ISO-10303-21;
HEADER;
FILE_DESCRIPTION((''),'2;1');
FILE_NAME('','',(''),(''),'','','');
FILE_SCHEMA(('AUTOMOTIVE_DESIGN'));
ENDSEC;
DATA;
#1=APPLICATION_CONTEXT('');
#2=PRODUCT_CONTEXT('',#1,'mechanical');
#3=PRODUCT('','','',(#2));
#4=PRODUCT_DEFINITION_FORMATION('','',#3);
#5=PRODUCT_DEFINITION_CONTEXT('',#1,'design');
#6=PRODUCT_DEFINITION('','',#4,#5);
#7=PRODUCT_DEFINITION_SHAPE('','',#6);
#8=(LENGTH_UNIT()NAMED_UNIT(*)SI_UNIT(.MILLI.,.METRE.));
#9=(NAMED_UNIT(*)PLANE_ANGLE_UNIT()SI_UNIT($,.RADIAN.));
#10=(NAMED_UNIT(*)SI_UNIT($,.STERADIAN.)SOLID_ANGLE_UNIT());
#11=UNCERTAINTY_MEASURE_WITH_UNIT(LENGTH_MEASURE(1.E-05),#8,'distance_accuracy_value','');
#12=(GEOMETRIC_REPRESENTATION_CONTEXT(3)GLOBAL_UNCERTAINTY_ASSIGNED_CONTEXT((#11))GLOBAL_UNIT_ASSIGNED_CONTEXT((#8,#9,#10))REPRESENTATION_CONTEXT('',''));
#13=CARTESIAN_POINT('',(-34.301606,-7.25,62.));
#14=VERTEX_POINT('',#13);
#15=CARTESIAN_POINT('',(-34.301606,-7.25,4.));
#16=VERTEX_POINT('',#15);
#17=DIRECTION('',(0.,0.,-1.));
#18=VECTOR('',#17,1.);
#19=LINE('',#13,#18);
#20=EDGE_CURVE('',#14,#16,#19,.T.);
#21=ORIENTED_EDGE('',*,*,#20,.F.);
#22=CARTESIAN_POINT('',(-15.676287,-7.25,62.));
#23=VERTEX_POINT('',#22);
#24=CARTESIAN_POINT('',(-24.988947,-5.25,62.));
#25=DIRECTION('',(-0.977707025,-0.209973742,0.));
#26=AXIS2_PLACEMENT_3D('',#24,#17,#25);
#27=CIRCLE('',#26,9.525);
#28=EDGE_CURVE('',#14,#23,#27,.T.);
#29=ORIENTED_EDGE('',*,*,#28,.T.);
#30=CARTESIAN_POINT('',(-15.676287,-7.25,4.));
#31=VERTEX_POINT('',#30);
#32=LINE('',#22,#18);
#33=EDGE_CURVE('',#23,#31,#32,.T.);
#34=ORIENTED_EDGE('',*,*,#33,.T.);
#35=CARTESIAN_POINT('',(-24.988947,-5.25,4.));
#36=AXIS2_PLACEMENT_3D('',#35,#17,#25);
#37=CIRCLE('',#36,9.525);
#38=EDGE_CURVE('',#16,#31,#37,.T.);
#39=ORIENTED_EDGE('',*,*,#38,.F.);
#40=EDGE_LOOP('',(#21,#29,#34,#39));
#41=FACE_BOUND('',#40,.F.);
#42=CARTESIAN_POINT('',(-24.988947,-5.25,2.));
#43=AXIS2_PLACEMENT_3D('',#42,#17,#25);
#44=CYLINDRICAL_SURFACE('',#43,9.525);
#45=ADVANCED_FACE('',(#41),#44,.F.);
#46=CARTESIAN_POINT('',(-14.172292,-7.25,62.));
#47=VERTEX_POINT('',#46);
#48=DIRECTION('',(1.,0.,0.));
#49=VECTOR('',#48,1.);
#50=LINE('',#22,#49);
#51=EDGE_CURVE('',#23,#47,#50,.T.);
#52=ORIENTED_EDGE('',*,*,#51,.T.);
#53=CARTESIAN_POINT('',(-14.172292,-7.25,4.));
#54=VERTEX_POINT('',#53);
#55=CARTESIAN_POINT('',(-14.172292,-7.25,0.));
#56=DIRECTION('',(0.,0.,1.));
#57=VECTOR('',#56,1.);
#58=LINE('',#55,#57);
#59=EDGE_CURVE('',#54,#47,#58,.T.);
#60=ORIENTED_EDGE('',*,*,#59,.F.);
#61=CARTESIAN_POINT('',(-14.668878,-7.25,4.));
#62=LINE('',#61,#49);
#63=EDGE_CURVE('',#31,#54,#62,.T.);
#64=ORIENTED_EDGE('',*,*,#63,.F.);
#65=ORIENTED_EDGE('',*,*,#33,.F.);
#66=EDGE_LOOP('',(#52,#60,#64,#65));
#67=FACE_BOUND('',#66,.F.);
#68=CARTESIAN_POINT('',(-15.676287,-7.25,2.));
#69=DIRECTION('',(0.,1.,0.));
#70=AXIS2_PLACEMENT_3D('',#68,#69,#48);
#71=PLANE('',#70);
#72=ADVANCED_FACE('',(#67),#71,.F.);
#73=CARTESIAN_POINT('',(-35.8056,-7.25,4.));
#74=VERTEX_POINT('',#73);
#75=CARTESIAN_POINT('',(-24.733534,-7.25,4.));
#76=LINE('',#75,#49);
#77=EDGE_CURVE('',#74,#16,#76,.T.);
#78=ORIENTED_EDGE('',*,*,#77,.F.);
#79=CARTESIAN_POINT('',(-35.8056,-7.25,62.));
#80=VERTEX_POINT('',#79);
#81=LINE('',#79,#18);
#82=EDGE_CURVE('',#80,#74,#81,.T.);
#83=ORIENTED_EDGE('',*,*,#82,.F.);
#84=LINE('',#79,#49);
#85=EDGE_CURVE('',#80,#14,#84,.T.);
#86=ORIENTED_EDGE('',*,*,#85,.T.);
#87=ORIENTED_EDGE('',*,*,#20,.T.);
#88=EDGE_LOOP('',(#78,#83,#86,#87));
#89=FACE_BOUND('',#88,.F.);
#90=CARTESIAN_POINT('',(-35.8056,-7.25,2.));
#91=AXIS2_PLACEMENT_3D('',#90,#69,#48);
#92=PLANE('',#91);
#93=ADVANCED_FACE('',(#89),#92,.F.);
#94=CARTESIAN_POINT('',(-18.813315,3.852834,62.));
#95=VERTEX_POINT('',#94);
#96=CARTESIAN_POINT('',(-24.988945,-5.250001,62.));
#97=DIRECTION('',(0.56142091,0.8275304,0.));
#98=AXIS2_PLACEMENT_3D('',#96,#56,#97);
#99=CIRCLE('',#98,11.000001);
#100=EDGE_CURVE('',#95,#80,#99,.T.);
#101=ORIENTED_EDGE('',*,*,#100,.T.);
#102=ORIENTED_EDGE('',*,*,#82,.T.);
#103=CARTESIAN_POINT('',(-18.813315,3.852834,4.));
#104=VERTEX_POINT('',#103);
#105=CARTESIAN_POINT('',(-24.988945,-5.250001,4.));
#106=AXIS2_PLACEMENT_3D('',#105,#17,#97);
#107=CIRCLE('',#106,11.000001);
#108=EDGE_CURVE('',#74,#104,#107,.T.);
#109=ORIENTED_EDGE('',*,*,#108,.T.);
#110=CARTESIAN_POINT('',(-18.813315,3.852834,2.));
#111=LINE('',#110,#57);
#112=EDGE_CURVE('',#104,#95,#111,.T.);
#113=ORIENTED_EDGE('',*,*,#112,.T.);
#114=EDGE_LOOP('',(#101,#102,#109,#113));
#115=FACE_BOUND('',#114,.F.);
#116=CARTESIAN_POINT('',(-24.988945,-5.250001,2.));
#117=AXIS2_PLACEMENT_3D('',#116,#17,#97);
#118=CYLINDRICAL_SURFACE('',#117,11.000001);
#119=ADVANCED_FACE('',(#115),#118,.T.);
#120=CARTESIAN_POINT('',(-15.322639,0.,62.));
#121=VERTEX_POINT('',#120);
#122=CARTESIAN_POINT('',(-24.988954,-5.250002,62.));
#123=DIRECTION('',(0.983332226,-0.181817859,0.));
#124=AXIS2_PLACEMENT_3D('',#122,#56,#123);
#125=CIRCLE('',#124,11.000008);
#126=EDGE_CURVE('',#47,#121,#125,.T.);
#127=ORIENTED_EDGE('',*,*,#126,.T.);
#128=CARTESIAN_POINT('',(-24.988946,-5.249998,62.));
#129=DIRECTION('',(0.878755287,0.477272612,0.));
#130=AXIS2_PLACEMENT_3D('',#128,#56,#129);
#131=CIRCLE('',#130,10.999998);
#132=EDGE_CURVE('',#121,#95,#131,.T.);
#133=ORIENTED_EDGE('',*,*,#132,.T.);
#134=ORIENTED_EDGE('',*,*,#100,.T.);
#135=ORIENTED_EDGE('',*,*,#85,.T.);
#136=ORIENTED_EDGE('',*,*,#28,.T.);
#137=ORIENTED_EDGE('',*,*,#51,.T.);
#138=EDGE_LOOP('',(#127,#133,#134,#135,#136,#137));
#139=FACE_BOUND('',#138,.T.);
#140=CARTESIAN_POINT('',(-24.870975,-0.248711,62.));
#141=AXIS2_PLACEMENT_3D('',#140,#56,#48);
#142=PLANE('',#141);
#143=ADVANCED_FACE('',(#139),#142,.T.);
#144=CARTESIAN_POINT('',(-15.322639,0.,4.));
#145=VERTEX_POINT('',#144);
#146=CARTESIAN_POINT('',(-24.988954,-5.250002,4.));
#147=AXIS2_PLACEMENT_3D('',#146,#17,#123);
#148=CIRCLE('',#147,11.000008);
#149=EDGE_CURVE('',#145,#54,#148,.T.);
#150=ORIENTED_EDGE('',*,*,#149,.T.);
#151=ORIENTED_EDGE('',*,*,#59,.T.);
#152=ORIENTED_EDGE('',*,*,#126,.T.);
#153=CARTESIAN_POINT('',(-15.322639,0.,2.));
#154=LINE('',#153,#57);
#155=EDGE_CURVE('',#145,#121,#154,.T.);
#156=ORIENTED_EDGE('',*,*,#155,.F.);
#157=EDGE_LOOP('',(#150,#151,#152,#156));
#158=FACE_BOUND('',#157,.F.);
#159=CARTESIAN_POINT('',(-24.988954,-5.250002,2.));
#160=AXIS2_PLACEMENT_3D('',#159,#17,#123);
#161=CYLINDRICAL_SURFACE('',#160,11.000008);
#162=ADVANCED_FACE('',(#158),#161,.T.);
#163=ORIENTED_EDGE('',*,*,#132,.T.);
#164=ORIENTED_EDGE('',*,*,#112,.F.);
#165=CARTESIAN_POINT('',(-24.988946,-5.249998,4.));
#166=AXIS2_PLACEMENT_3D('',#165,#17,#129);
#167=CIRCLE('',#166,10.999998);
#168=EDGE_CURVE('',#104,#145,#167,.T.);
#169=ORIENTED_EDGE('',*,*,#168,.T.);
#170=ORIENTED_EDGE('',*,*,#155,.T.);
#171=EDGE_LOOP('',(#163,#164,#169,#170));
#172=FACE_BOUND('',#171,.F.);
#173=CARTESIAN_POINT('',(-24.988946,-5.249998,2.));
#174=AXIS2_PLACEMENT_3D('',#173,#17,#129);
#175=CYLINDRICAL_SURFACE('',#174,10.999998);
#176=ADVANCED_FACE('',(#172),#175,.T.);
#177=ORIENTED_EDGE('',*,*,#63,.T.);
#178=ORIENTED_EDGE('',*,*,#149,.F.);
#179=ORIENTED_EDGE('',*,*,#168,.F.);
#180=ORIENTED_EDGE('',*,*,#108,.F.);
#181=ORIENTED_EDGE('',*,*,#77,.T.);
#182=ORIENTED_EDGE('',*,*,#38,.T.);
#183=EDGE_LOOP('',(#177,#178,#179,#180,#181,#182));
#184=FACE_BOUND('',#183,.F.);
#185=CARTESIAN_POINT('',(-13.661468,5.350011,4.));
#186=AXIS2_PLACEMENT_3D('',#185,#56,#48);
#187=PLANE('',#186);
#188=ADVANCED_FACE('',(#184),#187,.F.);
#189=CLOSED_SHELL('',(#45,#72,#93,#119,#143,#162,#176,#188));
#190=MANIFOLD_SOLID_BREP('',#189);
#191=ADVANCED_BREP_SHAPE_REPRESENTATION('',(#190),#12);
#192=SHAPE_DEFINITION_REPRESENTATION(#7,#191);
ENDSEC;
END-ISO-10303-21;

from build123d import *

# Parameters (mm, degrees)
F0_R     = 1
F1_DEPTH = 2
F3_DEPTH = 2
F5_DEPTH = 60
F6_W     = 84.123355
F6_H     = 40.454367
F7_DEPTH = 4


with BuildPart() as f1:
    # F0 (on Top) → F1 (new body)
    with BuildSketch(Plane.XY):
        with BuildLine():
            Line((-3.751696, 3.78006), (-3.109909, 2.896716))
            ThreePointArc((-3.109909, 2.896716), (-3.438322, 2.498087), (-3.715956, 2.062565))
            Line((-3.715956, 2.062565), (-4.754388, 2.399972))
            Line((-4.754388, 2.399972), (-5.817595, 2.320708))
            Line((-5.817595, 2.320708), (-6.070611, 1.542005))
            Line((-6.070611, 1.542005), (-5.257049, 0.852941))
            Line((-5.257049, 0.852941), (-4.218616, 0.515534))
            ThreePointArc((-4.218616, 0.515534), (-4.25, 0), (-4.218616, -0.515534))
            Line((-4.218616, -0.515534), (-5.257049, -0.852941))
            Line((-5.257049, -0.852941), (-6.070611, -1.542005))
            Line((-6.070611, -1.542005), (-5.817595, -2.320708))
            Line((-5.817595, -2.320708), (-4.754388, -2.399972))
            Line((-4.754388, -2.399972), (-3.715956, -2.062565))
            ThreePointArc((-3.715956, -2.062565), (-3.438322, -2.498087), (-3.109909, -2.896716))
            Line((-3.109909, -2.896716), (-3.751696, -3.78006))
            Line((-3.751696, -3.78006), (-4.00486, -4.815724))
            Line((-4.00486, -4.815724), (-3.342456, -5.296989))
            Line((-3.342456, -5.296989), (-2.435713, -4.736177))
            Line((-2.435713, -4.736177), (-1.793926, -3.852834))
            ThreePointArc((-1.793926, -3.852834), (-1.313322, -4.04199), (-0.813322, -4.171451))
            Line((-0.813322, -4.171451), (-0.813322, -5.263324))
            Line((-0.813322, -5.263324), (-0.409388, -6.25))
            Line((-0.409388, -6.25), (0.409388, -6.25))
            Line((0.409388, -6.25), (0.813322, -5.263324))
            Line((0.813322, -5.263324), (0.813322, -4.171451))
            ThreePointArc((0.813322, -4.171451), (1.313322, -4.04199), (1.793926, -3.852834))
            Line((1.793926, -3.852834), (2.435713, -4.736177))
            Line((2.435713, -4.736177), (3.342456, -5.296989))
            Line((3.342456, -5.296989), (4.00486, -4.815724))
            Line((4.00486, -4.815724), (3.751696, -3.78006))
            Line((3.751696, -3.78006), (3.109909, -2.896716))
            ThreePointArc((3.109909, -2.896716), (3.438322, -2.498087), (3.715956, -2.062565))
            Line((3.715956, -2.062565), (4.754388, -2.399972))
            Line((4.754388, -2.399972), (5.817595, -2.320708))
            Line((5.817595, -2.320708), (6.070611, -1.542005))
            Line((6.070611, -1.542005), (5.257049, -0.852941))
            Line((5.257049, -0.852941), (4.218616, -0.515534))
            ThreePointArc((4.218616, -0.515534), (4.25, 0), (4.218616, 0.515534))
            Line((4.218616, 0.515534), (5.257049, 0.852941))
            Line((5.257049, 0.852941), (6.070611, 1.542005))
            Line((6.070611, 1.542005), (5.817595, 2.320708))
            Line((5.817595, 2.320708), (4.754388, 2.399972))
            Line((4.754388, 2.399972), (3.715956, 2.062565))
            ThreePointArc((3.715956, 2.062565), (3.438322, 2.498087), (3.109909, 2.896716))
            Line((3.109909, 2.896716), (3.751696, 3.78006))
            Line((3.751696, 3.78006), (4.00486, 4.815724))
            Line((4.00486, 4.815724), (3.342456, 5.296989))
            Line((3.342456, 5.296989), (2.435713, 4.736177))
            Line((2.435713, 4.736177), (1.793926, 3.852834))
            ThreePointArc((1.793926, 3.852834), (1.313322, 4.04199), (0.813322, 4.171451))
            Line((0.813322, 4.171451), (0.813322, 5.263324))
            Line((0.813322, 5.263324), (0.409388, 6.25))
            Line((0.409388, 6.25), (-0.409388, 6.25))
            Line((-0.409388, 6.25), (-0.813322, 5.263324))
            Line((-0.813322, 5.263324), (-0.813322, 4.171451))
            ThreePointArc((-0.813322, 4.171451), (-1.313322, 4.04199), (-1.793926, 3.852834))
            Line((-1.793926, 3.852834), (-2.435713, 4.736177))
            Line((-2.435713, 4.736177), (-3.342456, 5.296989))
            Line((-3.342456, 5.296989), (-4.00486, 4.815724))
            Line((-4.00486, 4.815724), (-3.751696, 3.78006))
        make_face()
        Circle(F0_R, mode=Mode.SUBTRACT)
    extrude(amount=F1_DEPTH)

    # F2 (on face) → F3 (join)
    with BuildSketch(Plane.XY.offset(2)):
        with BuildLine():
            ThreePointArc((-34.301606, -7.25), (-24.988946, 4.275), (-15.676287, -7.25))
            Line((-15.676287, -7.25), (-14.172292, -7.25))
            ThreePointArc((-14.172292, -7.25), (-14.124852, -3.526211), (-15.322639, 0))
            Line((-15.322639, 0), (-5.88111, 2.12523))
            Line((-5.88111, 2.12523), (-5.817595, 2.320708))
            Line((-5.817595, 2.320708), (-4.754388, 2.399972))
            Line((-4.754388, 2.399972), (-4.715983, 2.387493))
            Line((-4.715983, 2.387493), (-3.27176, 2.712579))
            ThreePointArc((-3.27176, 2.712579), (-3.192163, 2.805815), (-3.109909, 2.896716))
            Line((-3.109909, 2.896716), (-3.751696, 3.78006))
            Line((-3.751696, 3.78006), (-4.00486, 4.815724))
            Line((-4.00486, 4.815724), (-3.342456, 5.296989))
            Line((-3.342456, 5.296989), (-2.435713, 4.736177))
            Line((-2.435713, 4.736177), (-1.793926, 3.852834))
            ThreePointArc((-1.793926, 3.852834), (-1.313322, 4.04199), (-0.813322, 4.171451))
            Line((-0.813322, 4.171451), (-0.813322, 5.263324))
            Line((-0.813322, 5.263324), (-0.453438, 6.142401))
            Line((-0.453438, 6.142401), (-18.813315, 3.852834))
            ThreePointArc((-18.813315, 3.852834), (-31.005839, 3.958528), (-35.8056, -7.25))
            Line((-35.8056, -7.25), (-34.301606, -7.25))
        make_face()
    extrude(amount=-F3_DEPTH)

    # F4 (on face) → F5 (join)
    with BuildSketch(Plane.XY.offset(2)):
        with BuildLine():
            Line((-15.676287, -7.25), (-14.172292, -7.25))
            ThreePointArc((-14.172292, -7.25), (-14.124852, -3.526211), (-15.322639, 0))
            ThreePointArc((-15.322639, 0), (-16.837085, 2.135605), (-18.813315, 3.852834))
            ThreePointArc((-18.813315, 3.852834), (-31.005839, 3.958528), (-35.8056, -7.25))
            Line((-35.8056, -7.25), (-34.301606, -7.25))
            ThreePointArc((-34.301606, -7.25), (-24.988946, 4.275), (-15.676287, -7.25))
        make_face()
    extrude(amount=F5_DEPTH)

    # F6 (on Top) → F7 (cut)
    with BuildSketch(Plane.XY):
        with Locations((-13.661468, 5.350011)):
            Rectangle(F6_W, F6_H)
    extrude(amount=F7_DEPTH, mode=Mode.SUBTRACT)


solid = f1.part
